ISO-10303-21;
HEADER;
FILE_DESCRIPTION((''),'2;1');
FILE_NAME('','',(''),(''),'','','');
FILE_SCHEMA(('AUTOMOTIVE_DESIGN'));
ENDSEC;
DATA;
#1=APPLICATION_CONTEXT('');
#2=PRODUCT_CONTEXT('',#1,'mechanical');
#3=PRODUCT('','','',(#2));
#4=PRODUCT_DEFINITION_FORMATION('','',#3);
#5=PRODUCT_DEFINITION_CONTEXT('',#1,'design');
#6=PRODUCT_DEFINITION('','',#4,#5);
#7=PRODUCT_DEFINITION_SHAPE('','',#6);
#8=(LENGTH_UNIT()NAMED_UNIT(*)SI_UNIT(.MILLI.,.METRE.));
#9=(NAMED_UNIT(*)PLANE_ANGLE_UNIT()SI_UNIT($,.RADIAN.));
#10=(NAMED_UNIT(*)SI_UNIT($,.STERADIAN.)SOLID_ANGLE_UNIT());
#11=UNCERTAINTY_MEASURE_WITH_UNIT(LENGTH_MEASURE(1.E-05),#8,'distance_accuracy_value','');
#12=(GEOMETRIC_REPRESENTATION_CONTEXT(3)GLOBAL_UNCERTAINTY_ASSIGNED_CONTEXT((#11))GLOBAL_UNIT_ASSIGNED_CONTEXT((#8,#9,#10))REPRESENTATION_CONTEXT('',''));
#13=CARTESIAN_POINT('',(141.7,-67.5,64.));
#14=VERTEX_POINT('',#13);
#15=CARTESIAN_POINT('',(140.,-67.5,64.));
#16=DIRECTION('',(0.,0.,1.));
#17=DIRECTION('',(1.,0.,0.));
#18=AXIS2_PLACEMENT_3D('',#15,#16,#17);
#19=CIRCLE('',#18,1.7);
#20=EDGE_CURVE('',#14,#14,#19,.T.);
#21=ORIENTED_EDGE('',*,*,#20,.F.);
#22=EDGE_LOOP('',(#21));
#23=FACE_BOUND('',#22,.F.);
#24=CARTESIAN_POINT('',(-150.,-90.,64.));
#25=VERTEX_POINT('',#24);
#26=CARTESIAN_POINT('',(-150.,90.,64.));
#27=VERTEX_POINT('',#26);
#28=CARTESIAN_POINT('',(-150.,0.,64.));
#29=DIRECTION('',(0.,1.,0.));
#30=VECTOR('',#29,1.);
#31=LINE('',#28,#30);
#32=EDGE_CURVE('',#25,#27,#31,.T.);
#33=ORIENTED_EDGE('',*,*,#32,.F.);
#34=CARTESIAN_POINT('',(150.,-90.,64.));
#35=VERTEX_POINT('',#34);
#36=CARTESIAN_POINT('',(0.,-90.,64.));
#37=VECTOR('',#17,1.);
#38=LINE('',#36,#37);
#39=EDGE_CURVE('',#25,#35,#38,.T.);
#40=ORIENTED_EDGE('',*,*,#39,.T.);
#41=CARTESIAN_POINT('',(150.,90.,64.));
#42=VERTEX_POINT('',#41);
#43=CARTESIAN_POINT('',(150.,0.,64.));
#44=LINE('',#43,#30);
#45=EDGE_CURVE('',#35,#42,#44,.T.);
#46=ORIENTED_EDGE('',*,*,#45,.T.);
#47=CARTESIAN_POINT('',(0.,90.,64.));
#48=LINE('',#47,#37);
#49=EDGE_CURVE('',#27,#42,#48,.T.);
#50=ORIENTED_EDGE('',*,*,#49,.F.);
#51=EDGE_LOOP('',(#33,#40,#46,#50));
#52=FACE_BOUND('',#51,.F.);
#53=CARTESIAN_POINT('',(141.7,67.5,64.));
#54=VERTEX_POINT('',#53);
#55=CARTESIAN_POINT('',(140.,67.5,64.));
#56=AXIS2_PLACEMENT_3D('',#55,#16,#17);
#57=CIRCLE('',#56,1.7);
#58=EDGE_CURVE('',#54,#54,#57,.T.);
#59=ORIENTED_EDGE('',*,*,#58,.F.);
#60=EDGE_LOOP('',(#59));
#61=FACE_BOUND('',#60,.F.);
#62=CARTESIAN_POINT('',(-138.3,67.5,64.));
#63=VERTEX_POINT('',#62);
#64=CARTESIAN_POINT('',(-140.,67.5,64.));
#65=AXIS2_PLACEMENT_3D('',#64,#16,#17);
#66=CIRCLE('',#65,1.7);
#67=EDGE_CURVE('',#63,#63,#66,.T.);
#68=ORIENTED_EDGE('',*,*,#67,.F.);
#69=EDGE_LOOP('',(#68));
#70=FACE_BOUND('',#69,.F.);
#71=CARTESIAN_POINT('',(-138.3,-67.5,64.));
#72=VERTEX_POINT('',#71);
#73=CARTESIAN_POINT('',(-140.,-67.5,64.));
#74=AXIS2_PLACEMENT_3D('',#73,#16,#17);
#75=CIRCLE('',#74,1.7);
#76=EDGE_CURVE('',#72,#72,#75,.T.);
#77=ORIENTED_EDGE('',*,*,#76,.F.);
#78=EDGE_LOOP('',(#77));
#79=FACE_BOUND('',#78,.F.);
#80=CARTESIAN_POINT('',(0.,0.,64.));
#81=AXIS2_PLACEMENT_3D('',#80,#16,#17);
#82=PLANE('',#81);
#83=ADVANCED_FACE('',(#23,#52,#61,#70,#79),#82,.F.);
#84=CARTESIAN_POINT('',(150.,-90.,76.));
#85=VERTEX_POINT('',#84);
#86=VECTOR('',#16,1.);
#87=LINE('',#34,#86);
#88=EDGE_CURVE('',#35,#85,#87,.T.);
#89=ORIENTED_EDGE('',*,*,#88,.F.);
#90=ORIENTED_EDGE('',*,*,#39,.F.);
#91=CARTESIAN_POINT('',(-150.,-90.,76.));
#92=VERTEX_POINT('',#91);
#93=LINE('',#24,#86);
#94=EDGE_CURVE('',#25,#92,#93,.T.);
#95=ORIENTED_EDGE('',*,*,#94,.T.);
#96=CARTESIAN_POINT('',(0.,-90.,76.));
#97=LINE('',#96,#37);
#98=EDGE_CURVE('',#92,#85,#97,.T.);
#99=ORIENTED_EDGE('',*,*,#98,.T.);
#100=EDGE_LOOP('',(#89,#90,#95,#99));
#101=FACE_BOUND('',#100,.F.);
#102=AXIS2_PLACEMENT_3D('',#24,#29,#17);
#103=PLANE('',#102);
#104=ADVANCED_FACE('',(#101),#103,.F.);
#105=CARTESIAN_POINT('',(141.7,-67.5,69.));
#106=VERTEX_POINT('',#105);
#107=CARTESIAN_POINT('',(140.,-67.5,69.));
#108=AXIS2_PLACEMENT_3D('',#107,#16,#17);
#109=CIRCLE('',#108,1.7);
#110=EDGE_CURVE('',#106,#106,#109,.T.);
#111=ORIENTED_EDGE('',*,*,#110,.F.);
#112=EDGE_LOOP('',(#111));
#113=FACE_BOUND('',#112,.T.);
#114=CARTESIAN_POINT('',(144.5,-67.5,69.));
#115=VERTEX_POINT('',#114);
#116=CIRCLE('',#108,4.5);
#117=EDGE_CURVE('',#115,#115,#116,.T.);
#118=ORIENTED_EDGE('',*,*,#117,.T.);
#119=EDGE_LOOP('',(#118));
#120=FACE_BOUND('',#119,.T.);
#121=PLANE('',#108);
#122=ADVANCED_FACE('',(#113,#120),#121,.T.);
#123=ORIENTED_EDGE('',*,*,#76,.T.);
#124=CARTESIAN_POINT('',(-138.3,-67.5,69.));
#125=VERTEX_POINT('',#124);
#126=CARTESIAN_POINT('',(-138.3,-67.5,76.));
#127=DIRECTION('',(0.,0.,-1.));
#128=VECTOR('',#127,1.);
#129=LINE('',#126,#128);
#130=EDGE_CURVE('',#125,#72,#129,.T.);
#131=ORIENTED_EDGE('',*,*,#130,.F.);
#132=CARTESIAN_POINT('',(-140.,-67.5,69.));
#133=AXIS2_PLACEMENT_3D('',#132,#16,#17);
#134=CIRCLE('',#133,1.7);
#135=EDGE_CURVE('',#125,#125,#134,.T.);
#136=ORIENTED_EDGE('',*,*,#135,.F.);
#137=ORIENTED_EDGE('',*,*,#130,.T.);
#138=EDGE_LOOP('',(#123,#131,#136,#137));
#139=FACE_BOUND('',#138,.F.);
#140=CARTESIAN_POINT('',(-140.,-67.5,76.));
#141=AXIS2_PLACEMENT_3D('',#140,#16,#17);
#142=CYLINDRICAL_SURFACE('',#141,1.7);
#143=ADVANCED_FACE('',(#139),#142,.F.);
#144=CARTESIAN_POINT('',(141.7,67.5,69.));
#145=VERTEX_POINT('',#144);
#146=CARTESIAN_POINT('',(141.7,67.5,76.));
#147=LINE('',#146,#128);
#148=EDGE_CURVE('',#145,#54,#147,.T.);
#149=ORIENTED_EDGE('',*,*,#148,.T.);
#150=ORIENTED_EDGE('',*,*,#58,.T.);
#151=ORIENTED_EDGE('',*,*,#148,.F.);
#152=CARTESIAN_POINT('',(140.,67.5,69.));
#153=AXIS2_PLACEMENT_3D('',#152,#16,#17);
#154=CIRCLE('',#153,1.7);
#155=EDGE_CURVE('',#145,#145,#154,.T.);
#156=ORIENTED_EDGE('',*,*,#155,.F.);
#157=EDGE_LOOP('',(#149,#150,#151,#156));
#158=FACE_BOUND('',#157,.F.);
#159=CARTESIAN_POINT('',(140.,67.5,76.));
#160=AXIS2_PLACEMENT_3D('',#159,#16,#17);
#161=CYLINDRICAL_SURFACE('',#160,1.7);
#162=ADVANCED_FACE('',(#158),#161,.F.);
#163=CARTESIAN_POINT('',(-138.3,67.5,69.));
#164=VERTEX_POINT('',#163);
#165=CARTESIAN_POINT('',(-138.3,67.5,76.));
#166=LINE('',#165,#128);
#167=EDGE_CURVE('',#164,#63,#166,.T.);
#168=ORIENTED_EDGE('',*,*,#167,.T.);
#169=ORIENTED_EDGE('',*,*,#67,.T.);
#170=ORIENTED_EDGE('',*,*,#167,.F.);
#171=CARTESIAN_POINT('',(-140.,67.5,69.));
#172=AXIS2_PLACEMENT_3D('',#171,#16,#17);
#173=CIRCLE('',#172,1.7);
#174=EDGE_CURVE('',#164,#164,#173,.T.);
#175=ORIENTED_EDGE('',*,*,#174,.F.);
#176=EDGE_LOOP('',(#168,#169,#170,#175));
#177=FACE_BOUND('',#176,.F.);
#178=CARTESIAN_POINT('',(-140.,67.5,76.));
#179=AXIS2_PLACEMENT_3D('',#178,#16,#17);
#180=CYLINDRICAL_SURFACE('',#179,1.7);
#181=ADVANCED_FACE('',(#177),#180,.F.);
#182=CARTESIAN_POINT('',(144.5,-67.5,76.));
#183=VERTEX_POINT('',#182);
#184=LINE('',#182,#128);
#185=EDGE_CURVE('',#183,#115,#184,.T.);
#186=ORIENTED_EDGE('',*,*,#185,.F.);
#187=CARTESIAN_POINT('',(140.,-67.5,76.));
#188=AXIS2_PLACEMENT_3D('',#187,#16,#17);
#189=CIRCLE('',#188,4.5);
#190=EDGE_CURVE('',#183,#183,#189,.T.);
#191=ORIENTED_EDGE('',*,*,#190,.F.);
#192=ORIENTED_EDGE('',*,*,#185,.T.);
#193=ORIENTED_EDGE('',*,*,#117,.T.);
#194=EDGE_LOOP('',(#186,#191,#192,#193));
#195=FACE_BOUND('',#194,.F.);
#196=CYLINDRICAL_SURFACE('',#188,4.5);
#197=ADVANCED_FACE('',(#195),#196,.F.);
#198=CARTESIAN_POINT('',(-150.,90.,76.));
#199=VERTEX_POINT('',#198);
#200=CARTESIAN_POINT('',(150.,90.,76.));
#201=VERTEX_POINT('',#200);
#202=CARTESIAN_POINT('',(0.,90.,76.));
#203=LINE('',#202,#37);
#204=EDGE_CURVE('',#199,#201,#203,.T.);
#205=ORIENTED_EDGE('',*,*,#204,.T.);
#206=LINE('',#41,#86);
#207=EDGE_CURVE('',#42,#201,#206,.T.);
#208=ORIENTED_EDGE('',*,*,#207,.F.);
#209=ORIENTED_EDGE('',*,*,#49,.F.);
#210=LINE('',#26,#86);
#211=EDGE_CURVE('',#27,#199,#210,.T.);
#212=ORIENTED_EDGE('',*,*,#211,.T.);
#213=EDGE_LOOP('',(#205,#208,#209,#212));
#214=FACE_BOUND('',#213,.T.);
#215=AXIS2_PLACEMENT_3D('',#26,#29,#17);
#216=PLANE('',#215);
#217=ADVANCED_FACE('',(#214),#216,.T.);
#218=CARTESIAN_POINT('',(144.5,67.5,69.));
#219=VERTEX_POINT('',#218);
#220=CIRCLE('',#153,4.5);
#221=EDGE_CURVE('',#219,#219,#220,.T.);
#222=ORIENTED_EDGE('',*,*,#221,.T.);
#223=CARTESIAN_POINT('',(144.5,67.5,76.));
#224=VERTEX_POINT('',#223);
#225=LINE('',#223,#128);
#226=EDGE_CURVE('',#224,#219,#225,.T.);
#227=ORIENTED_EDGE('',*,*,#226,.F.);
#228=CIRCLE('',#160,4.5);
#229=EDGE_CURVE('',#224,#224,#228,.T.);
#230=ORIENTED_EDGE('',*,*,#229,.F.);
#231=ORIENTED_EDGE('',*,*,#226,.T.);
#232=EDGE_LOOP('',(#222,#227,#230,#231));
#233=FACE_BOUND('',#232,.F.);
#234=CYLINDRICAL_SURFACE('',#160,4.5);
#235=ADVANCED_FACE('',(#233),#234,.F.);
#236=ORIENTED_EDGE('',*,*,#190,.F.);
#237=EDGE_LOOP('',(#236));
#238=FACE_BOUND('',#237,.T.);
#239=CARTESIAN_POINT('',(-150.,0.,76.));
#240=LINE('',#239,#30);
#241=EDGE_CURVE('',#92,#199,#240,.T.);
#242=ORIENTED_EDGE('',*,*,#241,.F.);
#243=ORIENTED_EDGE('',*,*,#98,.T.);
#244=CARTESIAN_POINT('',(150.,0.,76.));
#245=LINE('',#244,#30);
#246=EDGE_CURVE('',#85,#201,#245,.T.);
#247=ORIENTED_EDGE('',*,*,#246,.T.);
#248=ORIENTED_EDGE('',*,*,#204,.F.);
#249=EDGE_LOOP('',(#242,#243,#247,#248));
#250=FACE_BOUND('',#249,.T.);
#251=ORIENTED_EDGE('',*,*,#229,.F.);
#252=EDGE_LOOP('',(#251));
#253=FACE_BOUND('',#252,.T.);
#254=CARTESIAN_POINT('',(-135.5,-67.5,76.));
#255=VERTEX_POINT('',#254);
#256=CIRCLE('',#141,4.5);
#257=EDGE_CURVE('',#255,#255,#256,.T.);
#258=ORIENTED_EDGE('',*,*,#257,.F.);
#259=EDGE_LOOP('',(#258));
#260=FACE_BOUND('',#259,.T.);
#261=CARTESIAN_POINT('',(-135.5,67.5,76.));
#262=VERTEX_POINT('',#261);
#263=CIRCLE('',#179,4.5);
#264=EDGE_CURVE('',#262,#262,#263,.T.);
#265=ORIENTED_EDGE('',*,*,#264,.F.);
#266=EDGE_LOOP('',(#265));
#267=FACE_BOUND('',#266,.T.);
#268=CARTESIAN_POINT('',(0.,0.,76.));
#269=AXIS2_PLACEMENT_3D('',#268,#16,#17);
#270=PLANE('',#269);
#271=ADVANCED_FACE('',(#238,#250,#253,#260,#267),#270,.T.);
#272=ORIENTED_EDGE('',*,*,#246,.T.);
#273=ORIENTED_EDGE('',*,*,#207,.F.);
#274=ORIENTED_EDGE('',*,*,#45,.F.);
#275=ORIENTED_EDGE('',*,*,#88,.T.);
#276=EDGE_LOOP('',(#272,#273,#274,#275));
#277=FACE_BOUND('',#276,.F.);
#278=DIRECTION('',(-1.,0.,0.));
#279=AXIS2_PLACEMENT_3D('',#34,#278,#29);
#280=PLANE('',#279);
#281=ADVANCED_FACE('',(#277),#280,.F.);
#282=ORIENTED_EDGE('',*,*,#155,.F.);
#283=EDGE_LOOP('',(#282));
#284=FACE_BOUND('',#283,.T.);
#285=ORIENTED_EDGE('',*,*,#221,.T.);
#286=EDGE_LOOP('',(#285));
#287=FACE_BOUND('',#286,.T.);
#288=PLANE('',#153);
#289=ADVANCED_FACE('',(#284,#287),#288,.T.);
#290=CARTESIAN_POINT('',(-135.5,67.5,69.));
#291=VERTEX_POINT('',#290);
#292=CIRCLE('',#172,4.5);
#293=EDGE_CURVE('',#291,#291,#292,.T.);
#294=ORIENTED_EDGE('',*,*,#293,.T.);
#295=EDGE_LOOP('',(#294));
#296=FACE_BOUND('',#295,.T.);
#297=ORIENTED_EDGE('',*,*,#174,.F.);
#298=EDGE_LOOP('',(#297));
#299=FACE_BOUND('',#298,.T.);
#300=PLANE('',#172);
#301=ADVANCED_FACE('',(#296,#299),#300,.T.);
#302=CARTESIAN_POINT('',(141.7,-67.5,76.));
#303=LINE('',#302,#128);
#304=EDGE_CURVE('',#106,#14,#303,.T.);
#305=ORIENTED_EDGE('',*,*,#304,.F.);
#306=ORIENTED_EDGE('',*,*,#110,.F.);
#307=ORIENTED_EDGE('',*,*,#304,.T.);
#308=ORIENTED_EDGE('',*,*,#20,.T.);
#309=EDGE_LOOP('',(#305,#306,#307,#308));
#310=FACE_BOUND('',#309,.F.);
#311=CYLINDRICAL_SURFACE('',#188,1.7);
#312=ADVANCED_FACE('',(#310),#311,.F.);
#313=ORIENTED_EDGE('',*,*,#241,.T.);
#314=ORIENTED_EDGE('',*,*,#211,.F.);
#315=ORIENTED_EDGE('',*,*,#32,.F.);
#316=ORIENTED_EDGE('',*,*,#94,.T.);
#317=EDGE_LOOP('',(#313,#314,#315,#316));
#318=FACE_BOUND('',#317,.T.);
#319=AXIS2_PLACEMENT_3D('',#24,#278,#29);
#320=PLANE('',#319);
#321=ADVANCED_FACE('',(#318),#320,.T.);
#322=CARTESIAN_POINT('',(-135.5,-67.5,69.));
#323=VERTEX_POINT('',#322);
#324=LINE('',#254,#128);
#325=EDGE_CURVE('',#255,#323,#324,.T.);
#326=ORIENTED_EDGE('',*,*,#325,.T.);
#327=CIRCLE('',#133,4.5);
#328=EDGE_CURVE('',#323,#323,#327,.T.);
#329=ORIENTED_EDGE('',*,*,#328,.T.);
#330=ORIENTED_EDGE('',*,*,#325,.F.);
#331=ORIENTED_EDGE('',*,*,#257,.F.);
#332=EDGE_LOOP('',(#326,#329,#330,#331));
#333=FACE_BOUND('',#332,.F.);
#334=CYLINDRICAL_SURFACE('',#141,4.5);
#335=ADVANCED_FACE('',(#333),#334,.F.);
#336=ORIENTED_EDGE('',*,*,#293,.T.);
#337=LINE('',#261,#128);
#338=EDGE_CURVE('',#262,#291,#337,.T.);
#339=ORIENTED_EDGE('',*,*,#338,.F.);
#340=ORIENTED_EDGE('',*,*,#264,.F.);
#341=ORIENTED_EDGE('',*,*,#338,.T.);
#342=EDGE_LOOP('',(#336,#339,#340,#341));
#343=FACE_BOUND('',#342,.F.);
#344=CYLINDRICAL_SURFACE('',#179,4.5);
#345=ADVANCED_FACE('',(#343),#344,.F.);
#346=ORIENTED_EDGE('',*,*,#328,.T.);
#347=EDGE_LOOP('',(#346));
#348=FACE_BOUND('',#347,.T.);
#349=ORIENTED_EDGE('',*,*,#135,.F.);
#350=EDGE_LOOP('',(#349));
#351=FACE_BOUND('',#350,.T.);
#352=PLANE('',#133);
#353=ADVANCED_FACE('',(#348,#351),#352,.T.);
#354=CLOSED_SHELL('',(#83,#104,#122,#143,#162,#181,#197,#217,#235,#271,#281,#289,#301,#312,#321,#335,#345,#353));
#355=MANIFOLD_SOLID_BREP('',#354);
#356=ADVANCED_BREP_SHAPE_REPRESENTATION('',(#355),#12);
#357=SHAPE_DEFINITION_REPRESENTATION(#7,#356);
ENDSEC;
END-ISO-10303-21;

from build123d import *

# Parameters (mm, degrees)
SKETCH003_W     = 300
SKETCH003_H     = 180
PAD002_DEPTH    = 12
SKETCH004_R     = 4.5
POCKET_DEPTH    = 7
SKETCH005_R     = 1.7
POCKET001_DEPTH = 12.001


with BuildPart() as part:
    # Sketch003 → Pad002 (new body)
    with BuildSketch(Plane.XY):
        Rectangle(SKETCH003_W, SKETCH003_H)
    extrude(amount=PAD002_DEPTH)

    # Sketch004 (on Face6 of Pad002) → Pocket (cut)
    with BuildSketch(Plane.XY.offset(12)):
        with Locations((-140, 67.5)):
            Circle(SKETCH004_R)
        with Locations((-140, -67.5)):
            Circle(SKETCH004_R)
        with Locations((140, -67.5)):
            Circle(SKETCH004_R)
        with Locations((140, 67.5)):
            Circle(SKETCH004_R)
    extrude(amount=-POCKET_DEPTH, mode=Mode.SUBTRACT)

    # Sketch005 (on Face5 of Pocket) → Pocket001 (cut, through all)
    with BuildSketch(Plane.XY.offset(12)):
        with Locations((-140, 67.5)):
            Circle(SKETCH005_R)
        with Locations((-140, -67.5)):
            Circle(SKETCH005_R)
        with Locations((140, -67.5)):
            Circle(SKETCH005_R)
        with Locations((140, 67.5)):
            Circle(SKETCH005_R)
    extrude(amount=-POCKET001_DEPTH, mode=Mode.SUBTRACT)


with BuildPart() as part_1:
    # Body002 placement: moved
    add(part.part.moved(Location((0, 0, 64))))


solid = part_1.part
